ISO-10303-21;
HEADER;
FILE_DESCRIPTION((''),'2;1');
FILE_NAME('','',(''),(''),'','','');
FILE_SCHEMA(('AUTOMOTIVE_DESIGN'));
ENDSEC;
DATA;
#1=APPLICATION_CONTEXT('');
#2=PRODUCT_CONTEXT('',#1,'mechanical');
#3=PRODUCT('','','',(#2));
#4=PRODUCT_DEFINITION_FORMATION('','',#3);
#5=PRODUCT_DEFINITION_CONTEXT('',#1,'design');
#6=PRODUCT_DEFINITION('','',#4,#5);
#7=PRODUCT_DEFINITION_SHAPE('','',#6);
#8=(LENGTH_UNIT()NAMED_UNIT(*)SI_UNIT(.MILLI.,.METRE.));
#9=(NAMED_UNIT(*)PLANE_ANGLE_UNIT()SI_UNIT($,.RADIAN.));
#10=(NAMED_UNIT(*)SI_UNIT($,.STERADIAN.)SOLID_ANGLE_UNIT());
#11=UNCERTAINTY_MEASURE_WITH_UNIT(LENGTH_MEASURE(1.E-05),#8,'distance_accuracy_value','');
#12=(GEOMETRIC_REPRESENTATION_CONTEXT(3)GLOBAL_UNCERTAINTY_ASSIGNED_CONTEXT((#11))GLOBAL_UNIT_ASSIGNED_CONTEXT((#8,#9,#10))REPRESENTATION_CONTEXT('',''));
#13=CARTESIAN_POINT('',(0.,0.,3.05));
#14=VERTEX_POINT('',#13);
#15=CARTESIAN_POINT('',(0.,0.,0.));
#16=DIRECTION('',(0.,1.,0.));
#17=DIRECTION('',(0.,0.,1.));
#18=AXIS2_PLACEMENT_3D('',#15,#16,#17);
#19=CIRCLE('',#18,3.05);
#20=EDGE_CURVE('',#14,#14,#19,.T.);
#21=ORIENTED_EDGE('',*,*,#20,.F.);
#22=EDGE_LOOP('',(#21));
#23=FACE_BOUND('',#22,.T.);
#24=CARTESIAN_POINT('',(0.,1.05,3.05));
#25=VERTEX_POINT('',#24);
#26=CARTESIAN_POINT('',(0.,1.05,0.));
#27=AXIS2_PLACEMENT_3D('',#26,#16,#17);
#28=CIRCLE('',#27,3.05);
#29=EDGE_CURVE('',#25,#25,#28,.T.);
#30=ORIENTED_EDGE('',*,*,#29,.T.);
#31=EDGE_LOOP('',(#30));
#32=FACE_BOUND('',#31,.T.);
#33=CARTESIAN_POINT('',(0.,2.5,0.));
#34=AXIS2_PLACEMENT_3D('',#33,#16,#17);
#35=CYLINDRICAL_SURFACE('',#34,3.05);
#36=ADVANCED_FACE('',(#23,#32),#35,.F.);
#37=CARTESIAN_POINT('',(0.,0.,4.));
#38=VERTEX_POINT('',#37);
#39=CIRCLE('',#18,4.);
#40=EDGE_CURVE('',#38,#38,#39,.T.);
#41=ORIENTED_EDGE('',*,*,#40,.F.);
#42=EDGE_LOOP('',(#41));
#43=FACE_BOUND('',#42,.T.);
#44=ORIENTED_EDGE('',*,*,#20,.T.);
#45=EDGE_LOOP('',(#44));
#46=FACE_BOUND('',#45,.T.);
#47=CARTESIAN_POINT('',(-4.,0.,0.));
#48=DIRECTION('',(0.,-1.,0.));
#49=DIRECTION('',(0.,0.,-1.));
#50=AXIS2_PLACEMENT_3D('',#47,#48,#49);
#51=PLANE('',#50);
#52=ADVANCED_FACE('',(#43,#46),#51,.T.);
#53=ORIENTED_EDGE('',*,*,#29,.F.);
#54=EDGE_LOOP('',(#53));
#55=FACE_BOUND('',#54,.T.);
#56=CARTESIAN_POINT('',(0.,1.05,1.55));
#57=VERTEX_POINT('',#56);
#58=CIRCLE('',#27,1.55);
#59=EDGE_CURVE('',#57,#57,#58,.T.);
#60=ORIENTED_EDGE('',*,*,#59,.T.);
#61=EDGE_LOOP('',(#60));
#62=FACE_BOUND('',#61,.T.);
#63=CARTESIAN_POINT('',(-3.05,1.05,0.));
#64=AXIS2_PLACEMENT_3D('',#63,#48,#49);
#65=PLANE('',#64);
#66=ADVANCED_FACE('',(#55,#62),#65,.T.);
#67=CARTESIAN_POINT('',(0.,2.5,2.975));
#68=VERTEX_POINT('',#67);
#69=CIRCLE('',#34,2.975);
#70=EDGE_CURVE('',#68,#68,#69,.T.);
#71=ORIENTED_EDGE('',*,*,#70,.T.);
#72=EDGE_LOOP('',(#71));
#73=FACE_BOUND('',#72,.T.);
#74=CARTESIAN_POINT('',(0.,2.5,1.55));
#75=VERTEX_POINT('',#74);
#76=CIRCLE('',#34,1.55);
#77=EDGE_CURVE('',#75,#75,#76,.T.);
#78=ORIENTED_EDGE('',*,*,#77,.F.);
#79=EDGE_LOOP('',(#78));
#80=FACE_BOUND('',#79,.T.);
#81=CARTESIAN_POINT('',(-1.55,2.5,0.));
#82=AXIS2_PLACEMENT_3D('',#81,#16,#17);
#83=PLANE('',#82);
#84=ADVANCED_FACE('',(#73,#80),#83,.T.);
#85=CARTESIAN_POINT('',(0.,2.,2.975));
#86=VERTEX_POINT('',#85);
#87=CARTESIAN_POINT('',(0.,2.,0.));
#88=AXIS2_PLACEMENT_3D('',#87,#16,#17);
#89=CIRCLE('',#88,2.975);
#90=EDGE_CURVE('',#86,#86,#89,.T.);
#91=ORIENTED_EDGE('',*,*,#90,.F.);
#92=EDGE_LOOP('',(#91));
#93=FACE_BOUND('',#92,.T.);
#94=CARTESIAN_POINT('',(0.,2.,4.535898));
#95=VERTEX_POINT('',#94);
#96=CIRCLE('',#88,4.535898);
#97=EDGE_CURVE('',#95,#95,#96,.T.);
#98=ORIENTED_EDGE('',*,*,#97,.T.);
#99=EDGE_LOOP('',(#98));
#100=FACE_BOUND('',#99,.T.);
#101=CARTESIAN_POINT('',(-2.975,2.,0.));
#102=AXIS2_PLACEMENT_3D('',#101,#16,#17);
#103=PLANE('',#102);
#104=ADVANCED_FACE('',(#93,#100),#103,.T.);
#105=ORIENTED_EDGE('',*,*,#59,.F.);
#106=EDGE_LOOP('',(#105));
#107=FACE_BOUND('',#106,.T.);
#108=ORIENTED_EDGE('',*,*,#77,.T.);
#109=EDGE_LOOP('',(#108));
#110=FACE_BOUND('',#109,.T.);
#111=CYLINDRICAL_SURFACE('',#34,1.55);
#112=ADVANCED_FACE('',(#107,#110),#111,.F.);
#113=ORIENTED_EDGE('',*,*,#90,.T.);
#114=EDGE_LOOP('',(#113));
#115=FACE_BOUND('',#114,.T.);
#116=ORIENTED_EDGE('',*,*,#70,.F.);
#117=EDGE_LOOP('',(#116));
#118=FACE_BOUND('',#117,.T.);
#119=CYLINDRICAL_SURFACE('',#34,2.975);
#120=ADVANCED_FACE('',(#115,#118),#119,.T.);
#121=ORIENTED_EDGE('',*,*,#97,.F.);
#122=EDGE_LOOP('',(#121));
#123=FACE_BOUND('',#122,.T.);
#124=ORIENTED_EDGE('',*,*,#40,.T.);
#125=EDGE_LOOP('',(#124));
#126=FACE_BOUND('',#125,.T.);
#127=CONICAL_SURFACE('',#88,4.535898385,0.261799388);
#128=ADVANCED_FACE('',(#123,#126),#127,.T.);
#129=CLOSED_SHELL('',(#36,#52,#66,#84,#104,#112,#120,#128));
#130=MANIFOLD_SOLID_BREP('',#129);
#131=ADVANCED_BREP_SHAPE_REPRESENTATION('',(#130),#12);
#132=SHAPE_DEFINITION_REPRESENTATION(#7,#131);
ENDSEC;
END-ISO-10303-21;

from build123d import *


with BuildPart() as part:
    # Sketch1 → Revolve1 (revolve)
    with BuildSketch(Plane.XY):
        Polygon((-1.55, 2.5), (-2.975, 2.5), (-2.975, 2), (-4.535898385, 2), (-4, 0), (-3.05, 0), (-3.05, 1.05), (-1.55, 1.05), align=None)
    revolve(axis=Axis((0, 2.5, 0), (0, -1, 0)))


solid = part.part
